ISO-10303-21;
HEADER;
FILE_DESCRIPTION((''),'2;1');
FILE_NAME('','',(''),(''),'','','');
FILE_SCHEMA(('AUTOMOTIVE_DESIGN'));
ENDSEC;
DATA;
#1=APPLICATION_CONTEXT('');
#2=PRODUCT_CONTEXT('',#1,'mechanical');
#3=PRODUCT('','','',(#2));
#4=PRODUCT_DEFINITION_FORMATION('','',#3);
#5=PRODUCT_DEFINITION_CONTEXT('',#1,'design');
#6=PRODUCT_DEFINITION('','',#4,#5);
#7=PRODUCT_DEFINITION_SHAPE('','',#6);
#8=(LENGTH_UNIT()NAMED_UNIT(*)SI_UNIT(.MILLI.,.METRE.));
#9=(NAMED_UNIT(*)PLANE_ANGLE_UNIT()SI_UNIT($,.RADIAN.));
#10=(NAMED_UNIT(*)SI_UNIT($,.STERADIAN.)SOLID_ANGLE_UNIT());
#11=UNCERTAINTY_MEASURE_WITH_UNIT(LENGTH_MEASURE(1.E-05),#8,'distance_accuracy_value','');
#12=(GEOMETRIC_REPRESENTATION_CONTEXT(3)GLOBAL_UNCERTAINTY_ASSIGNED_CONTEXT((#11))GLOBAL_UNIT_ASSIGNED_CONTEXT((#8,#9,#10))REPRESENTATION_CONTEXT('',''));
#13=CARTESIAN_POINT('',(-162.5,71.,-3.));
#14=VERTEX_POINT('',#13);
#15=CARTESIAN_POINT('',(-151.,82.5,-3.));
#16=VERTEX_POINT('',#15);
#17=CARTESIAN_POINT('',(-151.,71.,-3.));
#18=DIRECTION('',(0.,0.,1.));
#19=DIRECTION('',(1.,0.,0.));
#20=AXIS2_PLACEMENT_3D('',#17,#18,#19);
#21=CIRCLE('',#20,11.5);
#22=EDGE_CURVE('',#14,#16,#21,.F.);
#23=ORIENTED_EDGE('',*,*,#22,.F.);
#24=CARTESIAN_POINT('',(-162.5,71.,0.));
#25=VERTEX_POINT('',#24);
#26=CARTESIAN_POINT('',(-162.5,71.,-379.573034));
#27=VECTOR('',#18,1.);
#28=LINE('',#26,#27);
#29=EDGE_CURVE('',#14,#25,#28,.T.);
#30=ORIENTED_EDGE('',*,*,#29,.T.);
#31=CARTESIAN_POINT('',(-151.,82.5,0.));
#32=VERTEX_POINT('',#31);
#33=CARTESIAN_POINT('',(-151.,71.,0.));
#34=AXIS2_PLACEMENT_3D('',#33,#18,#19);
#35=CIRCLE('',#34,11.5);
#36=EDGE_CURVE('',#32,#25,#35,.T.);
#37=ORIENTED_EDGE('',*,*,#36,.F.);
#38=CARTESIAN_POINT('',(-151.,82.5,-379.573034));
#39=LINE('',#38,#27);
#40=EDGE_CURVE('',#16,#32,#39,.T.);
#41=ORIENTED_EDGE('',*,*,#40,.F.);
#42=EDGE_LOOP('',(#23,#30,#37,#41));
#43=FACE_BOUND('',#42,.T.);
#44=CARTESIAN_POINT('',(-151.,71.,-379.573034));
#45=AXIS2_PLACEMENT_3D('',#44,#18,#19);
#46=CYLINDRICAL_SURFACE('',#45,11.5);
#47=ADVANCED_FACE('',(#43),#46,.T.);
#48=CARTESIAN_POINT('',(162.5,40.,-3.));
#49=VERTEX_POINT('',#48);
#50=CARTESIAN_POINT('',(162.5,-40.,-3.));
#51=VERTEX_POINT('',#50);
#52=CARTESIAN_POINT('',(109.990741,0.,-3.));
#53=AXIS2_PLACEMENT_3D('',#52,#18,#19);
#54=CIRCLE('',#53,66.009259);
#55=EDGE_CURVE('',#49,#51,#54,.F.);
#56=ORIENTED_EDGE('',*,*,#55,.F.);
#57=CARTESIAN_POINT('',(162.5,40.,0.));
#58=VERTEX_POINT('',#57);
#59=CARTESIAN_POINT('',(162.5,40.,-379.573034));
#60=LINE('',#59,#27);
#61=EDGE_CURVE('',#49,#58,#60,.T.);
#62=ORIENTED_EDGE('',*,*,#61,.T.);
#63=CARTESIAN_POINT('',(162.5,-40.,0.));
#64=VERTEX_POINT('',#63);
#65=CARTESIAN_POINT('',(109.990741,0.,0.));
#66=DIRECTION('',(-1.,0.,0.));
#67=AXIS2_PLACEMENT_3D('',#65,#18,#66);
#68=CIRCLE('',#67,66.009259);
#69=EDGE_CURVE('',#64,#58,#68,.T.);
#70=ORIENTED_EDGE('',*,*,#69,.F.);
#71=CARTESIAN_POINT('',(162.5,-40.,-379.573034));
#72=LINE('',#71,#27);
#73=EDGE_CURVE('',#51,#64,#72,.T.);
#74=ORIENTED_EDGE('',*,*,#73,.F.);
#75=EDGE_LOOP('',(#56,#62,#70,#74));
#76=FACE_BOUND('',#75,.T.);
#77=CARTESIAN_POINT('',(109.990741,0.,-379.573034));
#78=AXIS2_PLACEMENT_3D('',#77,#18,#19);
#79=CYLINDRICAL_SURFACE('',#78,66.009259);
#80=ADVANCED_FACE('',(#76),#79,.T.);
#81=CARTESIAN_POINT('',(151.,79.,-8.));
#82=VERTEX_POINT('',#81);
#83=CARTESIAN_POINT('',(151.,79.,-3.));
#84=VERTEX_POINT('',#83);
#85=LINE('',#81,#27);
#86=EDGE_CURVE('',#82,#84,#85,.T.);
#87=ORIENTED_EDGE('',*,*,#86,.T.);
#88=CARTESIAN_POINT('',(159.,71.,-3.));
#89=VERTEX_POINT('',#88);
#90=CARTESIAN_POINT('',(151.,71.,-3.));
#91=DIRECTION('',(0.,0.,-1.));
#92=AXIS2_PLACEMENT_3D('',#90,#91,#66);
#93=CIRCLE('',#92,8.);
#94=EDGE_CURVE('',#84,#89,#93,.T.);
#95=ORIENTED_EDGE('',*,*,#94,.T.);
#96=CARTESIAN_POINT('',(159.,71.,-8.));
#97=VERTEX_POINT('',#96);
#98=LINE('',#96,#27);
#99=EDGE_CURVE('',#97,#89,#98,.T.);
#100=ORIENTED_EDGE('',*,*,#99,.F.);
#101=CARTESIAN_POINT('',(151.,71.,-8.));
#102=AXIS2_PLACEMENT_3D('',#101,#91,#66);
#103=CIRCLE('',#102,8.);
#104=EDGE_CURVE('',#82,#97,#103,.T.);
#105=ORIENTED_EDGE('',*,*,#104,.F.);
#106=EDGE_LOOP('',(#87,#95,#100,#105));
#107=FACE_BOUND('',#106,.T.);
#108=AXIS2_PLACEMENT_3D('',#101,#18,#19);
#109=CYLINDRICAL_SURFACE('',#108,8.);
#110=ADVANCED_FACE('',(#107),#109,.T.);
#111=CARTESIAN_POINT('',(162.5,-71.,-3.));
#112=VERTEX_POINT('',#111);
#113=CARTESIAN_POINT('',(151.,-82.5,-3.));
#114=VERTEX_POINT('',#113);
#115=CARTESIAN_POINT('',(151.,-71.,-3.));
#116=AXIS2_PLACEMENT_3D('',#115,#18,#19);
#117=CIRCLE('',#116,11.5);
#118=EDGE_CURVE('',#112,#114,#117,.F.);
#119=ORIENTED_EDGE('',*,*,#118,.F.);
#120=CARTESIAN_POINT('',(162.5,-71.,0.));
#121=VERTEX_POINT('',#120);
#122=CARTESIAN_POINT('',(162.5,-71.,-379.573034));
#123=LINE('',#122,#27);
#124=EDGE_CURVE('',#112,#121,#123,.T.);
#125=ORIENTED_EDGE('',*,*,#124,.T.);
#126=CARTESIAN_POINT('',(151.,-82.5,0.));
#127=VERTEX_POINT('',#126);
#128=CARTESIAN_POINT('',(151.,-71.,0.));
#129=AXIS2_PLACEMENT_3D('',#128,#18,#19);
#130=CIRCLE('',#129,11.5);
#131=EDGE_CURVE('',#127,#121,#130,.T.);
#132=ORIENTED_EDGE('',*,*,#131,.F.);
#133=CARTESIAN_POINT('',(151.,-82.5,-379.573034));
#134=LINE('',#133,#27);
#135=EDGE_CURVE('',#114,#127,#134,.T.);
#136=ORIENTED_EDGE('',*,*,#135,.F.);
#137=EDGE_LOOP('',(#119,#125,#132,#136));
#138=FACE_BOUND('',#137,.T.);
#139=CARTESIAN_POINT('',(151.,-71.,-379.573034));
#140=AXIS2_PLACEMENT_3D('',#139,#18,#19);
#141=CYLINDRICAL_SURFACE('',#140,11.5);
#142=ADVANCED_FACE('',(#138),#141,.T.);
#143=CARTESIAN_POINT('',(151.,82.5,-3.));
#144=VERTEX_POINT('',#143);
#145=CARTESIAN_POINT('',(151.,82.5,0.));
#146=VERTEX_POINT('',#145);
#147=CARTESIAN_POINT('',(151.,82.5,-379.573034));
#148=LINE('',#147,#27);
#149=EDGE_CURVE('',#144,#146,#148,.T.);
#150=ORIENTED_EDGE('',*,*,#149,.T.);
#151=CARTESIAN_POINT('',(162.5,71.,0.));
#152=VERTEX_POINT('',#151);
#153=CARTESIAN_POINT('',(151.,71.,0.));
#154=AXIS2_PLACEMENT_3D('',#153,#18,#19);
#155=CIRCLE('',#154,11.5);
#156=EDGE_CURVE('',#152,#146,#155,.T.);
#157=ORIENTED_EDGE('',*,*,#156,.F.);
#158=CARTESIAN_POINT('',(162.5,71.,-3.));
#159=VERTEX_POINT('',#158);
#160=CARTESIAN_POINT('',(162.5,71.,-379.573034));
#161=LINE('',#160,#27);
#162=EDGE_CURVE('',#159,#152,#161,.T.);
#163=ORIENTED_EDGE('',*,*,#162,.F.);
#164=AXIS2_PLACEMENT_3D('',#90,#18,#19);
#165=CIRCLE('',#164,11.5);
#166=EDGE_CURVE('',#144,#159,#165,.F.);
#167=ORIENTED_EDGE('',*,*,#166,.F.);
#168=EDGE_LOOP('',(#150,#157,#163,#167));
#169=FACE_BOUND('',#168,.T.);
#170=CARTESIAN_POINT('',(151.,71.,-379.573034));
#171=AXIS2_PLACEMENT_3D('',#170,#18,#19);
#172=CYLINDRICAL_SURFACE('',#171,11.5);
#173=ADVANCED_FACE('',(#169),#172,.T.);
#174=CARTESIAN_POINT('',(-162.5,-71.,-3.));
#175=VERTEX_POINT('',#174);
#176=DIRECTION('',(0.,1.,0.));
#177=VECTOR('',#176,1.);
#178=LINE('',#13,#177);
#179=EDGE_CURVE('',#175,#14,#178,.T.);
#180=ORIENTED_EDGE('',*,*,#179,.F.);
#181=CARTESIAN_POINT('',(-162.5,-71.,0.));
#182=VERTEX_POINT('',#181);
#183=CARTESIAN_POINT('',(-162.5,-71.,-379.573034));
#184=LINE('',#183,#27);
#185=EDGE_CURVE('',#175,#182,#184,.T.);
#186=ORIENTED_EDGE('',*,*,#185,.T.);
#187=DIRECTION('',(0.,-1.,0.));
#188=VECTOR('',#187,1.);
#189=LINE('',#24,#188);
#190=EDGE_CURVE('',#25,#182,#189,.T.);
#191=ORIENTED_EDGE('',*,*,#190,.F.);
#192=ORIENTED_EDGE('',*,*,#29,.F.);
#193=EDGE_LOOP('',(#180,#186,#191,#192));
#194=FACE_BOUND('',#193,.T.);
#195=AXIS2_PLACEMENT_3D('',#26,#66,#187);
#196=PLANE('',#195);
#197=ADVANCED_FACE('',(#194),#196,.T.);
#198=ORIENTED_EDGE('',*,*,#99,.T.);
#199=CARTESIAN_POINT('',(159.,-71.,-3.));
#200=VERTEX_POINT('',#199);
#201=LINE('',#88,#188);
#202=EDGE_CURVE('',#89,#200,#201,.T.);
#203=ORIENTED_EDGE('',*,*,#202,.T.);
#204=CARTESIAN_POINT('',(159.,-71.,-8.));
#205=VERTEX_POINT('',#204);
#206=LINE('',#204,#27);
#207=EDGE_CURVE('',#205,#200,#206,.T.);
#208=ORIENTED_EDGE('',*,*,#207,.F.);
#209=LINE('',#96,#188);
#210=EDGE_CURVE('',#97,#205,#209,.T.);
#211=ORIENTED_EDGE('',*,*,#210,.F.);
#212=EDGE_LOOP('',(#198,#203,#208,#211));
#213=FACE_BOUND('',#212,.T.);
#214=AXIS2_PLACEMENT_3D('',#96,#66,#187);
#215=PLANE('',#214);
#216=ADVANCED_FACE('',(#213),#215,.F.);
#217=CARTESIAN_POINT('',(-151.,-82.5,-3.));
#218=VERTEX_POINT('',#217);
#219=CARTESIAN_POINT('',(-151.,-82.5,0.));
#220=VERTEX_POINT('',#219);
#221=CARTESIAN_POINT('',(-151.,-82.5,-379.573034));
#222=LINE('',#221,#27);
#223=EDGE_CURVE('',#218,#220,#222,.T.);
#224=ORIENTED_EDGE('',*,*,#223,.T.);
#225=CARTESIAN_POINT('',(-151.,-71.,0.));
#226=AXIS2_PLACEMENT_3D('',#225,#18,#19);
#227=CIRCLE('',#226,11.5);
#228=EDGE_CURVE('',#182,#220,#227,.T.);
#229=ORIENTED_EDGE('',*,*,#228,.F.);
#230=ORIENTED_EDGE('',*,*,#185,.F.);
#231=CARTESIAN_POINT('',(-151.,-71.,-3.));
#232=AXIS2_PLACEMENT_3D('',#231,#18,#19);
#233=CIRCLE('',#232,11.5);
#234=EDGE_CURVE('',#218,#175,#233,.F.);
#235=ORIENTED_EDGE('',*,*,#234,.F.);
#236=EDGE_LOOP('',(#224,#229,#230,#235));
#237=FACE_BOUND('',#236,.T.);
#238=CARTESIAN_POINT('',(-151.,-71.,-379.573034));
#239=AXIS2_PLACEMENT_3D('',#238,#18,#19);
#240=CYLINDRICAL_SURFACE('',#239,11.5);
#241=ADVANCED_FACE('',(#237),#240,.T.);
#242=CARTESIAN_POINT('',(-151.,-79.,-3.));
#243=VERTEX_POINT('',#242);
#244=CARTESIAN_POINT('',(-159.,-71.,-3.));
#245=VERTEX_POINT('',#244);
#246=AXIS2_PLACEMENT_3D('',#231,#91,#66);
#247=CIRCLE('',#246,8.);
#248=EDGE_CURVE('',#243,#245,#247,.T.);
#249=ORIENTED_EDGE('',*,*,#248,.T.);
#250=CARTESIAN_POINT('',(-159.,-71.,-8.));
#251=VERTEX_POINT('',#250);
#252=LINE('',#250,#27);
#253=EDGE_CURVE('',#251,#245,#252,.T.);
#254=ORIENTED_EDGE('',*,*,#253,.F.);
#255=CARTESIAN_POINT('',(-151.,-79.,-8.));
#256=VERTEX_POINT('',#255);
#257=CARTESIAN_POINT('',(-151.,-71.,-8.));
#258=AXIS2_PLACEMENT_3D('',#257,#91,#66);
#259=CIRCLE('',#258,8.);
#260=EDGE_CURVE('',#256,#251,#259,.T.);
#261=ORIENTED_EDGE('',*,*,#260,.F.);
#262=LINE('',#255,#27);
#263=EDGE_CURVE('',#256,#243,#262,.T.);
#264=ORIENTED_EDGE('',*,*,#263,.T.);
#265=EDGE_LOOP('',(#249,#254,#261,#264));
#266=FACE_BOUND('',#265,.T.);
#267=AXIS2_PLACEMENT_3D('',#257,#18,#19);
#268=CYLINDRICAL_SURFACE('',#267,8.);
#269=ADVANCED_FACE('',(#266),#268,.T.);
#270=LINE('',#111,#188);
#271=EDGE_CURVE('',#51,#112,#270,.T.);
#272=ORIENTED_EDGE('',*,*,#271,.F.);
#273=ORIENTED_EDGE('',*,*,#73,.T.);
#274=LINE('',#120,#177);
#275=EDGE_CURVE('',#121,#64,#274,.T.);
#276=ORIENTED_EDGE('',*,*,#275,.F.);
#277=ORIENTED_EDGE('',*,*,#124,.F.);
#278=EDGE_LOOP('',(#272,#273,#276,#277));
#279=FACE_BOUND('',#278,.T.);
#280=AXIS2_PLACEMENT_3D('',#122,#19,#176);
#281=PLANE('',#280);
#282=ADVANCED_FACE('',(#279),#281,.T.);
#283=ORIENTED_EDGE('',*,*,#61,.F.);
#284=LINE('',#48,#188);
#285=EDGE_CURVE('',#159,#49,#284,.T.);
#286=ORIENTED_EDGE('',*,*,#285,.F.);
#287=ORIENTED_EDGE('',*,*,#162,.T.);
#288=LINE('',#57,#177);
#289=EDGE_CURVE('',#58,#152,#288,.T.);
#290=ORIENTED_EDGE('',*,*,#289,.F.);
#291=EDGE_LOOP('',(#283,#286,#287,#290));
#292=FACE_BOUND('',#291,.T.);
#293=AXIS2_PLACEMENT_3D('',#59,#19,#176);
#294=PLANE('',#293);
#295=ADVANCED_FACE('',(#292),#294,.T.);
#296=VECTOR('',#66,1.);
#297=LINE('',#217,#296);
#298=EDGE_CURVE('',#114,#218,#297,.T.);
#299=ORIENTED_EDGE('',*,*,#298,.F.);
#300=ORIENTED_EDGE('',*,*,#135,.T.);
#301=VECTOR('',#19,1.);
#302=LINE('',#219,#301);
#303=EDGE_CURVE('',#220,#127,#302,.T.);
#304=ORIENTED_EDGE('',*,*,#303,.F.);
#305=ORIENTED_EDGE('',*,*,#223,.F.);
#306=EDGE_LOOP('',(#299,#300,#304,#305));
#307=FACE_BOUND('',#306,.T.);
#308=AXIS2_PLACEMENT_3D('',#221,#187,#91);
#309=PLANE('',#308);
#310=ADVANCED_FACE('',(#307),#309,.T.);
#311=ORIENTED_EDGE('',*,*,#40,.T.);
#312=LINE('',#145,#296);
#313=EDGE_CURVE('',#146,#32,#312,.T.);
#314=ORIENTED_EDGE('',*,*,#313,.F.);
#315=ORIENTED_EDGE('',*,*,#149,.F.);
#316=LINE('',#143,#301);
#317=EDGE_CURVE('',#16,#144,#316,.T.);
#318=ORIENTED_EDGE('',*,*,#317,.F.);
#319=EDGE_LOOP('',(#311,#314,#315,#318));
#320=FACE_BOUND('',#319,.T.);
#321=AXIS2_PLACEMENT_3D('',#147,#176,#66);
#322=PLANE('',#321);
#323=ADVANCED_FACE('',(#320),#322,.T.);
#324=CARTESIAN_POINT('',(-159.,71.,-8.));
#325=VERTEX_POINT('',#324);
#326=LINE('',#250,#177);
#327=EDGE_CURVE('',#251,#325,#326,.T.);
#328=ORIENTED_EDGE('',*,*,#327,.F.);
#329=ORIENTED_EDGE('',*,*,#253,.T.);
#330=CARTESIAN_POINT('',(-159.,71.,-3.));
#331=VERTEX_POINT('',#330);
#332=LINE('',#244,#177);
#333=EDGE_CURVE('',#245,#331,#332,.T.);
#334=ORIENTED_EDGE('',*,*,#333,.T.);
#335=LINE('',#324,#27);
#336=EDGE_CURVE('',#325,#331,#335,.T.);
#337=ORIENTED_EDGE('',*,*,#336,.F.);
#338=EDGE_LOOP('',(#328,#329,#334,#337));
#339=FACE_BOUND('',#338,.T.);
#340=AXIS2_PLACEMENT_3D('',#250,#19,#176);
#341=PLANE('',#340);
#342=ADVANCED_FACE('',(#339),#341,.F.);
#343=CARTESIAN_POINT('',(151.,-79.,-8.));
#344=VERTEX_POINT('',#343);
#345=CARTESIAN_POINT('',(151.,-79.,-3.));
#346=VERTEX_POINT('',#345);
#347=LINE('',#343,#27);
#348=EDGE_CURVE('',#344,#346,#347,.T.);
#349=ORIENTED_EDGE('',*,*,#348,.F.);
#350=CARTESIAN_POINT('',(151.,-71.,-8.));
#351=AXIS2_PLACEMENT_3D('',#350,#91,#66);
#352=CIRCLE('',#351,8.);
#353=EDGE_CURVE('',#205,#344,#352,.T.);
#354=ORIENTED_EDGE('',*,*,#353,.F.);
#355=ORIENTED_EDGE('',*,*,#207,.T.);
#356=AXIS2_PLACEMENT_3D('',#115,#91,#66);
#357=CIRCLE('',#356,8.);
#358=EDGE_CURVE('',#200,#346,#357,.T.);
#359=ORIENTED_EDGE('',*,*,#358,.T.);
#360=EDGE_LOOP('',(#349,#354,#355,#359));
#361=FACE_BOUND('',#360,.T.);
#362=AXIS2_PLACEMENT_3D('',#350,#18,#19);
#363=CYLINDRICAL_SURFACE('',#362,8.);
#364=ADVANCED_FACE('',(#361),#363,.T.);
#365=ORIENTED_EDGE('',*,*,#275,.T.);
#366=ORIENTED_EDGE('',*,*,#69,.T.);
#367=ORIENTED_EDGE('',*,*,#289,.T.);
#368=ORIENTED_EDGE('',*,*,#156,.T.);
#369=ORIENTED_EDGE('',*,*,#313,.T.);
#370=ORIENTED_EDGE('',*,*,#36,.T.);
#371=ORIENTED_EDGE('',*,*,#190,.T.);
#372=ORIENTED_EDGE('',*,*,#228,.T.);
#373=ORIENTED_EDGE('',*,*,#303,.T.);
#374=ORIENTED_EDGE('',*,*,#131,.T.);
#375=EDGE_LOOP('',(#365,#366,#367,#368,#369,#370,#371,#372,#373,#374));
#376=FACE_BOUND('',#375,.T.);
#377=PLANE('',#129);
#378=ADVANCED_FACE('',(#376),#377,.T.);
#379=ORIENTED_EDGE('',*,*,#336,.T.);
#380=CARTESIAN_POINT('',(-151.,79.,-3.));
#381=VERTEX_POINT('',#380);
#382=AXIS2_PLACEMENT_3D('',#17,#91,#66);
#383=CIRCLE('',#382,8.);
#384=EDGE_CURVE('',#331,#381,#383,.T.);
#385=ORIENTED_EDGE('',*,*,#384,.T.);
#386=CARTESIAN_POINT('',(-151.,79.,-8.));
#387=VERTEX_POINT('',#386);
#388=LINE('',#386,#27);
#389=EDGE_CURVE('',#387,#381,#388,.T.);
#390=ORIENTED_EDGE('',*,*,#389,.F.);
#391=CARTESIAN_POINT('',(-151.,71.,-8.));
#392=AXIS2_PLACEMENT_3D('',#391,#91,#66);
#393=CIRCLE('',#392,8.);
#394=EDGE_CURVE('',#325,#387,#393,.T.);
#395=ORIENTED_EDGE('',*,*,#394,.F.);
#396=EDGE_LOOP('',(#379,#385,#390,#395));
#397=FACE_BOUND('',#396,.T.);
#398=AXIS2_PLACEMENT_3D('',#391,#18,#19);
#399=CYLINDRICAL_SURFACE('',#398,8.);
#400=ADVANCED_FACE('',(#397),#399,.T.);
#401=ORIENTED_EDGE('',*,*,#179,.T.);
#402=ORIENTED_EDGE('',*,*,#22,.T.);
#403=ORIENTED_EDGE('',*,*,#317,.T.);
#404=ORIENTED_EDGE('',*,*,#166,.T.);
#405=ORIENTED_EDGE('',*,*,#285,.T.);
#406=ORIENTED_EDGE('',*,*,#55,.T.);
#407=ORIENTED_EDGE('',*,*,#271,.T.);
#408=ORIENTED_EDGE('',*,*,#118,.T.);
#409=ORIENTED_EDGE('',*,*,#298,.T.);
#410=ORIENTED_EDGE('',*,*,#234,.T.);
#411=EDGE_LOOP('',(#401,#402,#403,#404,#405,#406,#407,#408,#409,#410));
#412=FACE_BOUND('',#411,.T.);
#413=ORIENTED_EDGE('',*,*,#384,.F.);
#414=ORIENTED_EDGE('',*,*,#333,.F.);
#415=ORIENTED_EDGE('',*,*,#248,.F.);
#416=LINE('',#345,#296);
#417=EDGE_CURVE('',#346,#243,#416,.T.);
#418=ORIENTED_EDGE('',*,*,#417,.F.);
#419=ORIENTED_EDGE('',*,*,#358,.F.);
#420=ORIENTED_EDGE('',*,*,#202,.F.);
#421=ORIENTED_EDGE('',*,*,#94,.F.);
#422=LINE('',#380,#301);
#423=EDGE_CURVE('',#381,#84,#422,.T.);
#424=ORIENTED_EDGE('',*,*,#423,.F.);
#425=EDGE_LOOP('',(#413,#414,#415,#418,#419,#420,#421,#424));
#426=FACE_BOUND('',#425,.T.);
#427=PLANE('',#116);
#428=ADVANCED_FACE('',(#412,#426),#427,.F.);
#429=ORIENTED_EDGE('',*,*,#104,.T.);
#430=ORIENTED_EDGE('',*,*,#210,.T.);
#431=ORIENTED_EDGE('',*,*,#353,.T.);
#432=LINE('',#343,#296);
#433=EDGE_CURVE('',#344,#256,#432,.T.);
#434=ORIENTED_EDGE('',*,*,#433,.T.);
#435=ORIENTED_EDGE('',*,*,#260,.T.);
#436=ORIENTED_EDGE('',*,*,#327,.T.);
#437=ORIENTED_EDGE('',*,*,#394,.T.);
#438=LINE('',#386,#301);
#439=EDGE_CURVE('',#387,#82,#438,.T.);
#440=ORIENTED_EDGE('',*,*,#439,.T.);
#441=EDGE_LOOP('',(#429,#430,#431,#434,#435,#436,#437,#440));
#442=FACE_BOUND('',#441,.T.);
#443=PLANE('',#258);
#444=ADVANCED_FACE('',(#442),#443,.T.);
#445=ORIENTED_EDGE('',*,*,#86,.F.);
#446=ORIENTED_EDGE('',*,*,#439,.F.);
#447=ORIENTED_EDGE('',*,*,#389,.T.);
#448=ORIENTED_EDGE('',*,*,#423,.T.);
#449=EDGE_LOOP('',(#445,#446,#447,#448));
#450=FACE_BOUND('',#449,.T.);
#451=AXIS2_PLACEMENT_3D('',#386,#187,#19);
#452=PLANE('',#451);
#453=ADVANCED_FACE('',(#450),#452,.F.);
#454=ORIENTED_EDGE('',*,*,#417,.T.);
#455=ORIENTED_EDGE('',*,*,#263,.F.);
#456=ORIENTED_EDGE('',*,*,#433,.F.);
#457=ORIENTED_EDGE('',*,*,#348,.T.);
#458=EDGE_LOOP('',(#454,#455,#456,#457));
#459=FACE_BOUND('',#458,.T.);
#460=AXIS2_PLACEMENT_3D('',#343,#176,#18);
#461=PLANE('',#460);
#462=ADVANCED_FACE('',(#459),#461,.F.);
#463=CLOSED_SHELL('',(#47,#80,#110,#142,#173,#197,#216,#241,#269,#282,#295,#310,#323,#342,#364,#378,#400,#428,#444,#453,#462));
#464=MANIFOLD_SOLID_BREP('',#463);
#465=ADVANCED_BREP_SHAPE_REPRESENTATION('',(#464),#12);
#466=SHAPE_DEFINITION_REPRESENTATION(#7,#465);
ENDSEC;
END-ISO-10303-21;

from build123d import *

# Parameters (mm, degrees)
BOSS_EXTRUDE2_DEPTH = 3
EXTRUDE_1_DEPTH     = 5
EXTRUDE_2_DEPTH     = 3


with BuildPart() as part:
    # Sketch3 → Boss-Extrude2 (new body)
    with BuildSketch(Plane.XY):
        with BuildLine():
            Line((-151, 81), (151, 81))
            ThreePointArc((151, 81), (158.071067812, 78.071067812), (161, 71))
            Line((161, 71), (161, -71))
            ThreePointArc((161, -71), (158.071067812, -78.071067812), (151, -81))
            Line((151, -81), (-151, -81))
            ThreePointArc((-151, -81), (-158.071067812, -78.071067812), (-161, -71))
            Line((-161, -71), (-161, 71))
            ThreePointArc((-161, 71), (-158.071067812, 78.071067812), (-151, 81))
        make_face()
    extrude(amount=-BOSS_EXTRUDE2_DEPTH)

    # Эскиз1 → Бобышка-Вытянуть1 (add)
    with BuildSketch(Plane(origin=(0, 0, -3), x_dir=(-1, 0, 0), z_dir=(0, 0, -1))):
        with BuildLine():
            Line((-151, -79), (151, -79))
            ThreePointArc((151, -79), (156.656854249, -76.656854249), (159, -71))
            Line((159, -71), (159, 71))
            ThreePointArc((159, 71), (156.656854249, 76.656854249), (151, 79))
            Line((151, 79), (-151, 79))
            ThreePointArc((-151, 79), (-156.656854249, 76.656854249), (-159, 71))
            Line((-159, 71), (-159, -71))
            ThreePointArc((-159, -71), (-156.656854249, -76.656854249), (-151, -79))
        make_face()
    extrude(amount=EXTRUDE_1_DEPTH)

    # Эскиз2 → Бобышка-Вытянуть2 (add)
    with BuildSketch(Plane.XY):
        with BuildLine():
            Line((162.5, 40), (162.5, 71))
            ThreePointArc((162.5, 71), (159.131727984, 79.131727984), (151, 82.5))
            Line((151, 82.5), (-151, 82.5))
            ThreePointArc((-151, 82.5), (-159.131727984, 79.131727984), (-162.5, 71))
            Line((-162.5, 71), (-162.5, -71))
            ThreePointArc((-162.5, -71), (-159.131727984, -79.131727984), (-151, -82.5))
            Line((-151, -82.5), (151, -82.5))
            ThreePointArc((151, -82.5), (159.131727984, -79.131727984), (162.5, -71))
            Line((162.5, -71), (162.5, -40))
            ThreePointArc((162.5, -40), (176, 0), (162.5, 40))
        make_face()
    extrude(amount=-EXTRUDE_2_DEPTH)


solid = part.part
